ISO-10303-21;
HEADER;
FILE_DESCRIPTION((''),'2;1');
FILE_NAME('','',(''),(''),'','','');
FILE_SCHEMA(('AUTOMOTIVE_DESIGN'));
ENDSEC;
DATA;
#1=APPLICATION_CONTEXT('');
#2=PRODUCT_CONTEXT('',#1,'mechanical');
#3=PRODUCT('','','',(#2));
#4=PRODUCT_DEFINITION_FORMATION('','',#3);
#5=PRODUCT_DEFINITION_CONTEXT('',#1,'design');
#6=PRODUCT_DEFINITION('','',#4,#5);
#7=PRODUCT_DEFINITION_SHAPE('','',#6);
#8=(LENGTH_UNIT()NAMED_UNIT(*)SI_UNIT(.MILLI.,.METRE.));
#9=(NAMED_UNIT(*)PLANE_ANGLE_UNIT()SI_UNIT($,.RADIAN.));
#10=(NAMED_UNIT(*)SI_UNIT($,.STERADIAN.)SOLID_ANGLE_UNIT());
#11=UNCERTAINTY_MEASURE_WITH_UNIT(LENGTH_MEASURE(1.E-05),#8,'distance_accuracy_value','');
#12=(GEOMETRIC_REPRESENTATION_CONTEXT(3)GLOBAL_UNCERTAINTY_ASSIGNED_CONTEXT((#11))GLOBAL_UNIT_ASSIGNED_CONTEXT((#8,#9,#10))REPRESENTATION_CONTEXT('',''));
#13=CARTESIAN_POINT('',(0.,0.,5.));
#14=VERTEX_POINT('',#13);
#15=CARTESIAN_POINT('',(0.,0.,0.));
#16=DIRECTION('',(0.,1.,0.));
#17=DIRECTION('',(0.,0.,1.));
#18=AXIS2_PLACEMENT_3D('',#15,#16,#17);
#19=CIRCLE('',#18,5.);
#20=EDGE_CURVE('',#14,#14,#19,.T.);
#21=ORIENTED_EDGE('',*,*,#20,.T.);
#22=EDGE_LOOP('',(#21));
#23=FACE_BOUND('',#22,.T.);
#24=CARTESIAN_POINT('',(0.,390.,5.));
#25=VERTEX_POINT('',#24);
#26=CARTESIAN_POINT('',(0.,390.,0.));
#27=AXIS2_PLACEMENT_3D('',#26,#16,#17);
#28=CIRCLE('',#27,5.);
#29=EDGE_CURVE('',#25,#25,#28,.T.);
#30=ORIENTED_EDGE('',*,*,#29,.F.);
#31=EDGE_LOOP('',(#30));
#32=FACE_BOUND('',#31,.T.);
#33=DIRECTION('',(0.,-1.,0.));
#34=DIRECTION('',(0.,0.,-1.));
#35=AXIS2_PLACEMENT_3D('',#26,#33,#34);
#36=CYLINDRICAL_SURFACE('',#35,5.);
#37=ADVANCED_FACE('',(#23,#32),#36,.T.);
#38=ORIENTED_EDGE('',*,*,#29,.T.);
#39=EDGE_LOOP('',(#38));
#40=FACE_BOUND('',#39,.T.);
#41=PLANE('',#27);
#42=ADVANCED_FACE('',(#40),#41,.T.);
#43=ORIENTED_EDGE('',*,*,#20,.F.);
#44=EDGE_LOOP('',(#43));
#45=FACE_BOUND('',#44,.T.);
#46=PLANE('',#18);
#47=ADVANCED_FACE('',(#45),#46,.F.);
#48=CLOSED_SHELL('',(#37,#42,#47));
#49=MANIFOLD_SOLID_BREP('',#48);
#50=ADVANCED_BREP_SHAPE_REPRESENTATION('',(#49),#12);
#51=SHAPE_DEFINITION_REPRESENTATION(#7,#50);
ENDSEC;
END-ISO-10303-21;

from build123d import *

# Parameters (mm, degrees)
IZIM1_R                     = 5
Y_KSEKLIK_EKSTR_ZYON1_DEPTH = 390


with BuildPart() as part:
    # Çizim1 → Yükseklik-Ekstrüzyon1 (new body)
    with BuildSketch(Plane(origin=(0, 0, 0), x_dir=(1, 0, 0), z_dir=(0, 1, 0))):
        Circle(IZIM1_R)
    extrude(amount=Y_KSEKLIK_EKSTR_ZYON1_DEPTH)


solid = part.part
